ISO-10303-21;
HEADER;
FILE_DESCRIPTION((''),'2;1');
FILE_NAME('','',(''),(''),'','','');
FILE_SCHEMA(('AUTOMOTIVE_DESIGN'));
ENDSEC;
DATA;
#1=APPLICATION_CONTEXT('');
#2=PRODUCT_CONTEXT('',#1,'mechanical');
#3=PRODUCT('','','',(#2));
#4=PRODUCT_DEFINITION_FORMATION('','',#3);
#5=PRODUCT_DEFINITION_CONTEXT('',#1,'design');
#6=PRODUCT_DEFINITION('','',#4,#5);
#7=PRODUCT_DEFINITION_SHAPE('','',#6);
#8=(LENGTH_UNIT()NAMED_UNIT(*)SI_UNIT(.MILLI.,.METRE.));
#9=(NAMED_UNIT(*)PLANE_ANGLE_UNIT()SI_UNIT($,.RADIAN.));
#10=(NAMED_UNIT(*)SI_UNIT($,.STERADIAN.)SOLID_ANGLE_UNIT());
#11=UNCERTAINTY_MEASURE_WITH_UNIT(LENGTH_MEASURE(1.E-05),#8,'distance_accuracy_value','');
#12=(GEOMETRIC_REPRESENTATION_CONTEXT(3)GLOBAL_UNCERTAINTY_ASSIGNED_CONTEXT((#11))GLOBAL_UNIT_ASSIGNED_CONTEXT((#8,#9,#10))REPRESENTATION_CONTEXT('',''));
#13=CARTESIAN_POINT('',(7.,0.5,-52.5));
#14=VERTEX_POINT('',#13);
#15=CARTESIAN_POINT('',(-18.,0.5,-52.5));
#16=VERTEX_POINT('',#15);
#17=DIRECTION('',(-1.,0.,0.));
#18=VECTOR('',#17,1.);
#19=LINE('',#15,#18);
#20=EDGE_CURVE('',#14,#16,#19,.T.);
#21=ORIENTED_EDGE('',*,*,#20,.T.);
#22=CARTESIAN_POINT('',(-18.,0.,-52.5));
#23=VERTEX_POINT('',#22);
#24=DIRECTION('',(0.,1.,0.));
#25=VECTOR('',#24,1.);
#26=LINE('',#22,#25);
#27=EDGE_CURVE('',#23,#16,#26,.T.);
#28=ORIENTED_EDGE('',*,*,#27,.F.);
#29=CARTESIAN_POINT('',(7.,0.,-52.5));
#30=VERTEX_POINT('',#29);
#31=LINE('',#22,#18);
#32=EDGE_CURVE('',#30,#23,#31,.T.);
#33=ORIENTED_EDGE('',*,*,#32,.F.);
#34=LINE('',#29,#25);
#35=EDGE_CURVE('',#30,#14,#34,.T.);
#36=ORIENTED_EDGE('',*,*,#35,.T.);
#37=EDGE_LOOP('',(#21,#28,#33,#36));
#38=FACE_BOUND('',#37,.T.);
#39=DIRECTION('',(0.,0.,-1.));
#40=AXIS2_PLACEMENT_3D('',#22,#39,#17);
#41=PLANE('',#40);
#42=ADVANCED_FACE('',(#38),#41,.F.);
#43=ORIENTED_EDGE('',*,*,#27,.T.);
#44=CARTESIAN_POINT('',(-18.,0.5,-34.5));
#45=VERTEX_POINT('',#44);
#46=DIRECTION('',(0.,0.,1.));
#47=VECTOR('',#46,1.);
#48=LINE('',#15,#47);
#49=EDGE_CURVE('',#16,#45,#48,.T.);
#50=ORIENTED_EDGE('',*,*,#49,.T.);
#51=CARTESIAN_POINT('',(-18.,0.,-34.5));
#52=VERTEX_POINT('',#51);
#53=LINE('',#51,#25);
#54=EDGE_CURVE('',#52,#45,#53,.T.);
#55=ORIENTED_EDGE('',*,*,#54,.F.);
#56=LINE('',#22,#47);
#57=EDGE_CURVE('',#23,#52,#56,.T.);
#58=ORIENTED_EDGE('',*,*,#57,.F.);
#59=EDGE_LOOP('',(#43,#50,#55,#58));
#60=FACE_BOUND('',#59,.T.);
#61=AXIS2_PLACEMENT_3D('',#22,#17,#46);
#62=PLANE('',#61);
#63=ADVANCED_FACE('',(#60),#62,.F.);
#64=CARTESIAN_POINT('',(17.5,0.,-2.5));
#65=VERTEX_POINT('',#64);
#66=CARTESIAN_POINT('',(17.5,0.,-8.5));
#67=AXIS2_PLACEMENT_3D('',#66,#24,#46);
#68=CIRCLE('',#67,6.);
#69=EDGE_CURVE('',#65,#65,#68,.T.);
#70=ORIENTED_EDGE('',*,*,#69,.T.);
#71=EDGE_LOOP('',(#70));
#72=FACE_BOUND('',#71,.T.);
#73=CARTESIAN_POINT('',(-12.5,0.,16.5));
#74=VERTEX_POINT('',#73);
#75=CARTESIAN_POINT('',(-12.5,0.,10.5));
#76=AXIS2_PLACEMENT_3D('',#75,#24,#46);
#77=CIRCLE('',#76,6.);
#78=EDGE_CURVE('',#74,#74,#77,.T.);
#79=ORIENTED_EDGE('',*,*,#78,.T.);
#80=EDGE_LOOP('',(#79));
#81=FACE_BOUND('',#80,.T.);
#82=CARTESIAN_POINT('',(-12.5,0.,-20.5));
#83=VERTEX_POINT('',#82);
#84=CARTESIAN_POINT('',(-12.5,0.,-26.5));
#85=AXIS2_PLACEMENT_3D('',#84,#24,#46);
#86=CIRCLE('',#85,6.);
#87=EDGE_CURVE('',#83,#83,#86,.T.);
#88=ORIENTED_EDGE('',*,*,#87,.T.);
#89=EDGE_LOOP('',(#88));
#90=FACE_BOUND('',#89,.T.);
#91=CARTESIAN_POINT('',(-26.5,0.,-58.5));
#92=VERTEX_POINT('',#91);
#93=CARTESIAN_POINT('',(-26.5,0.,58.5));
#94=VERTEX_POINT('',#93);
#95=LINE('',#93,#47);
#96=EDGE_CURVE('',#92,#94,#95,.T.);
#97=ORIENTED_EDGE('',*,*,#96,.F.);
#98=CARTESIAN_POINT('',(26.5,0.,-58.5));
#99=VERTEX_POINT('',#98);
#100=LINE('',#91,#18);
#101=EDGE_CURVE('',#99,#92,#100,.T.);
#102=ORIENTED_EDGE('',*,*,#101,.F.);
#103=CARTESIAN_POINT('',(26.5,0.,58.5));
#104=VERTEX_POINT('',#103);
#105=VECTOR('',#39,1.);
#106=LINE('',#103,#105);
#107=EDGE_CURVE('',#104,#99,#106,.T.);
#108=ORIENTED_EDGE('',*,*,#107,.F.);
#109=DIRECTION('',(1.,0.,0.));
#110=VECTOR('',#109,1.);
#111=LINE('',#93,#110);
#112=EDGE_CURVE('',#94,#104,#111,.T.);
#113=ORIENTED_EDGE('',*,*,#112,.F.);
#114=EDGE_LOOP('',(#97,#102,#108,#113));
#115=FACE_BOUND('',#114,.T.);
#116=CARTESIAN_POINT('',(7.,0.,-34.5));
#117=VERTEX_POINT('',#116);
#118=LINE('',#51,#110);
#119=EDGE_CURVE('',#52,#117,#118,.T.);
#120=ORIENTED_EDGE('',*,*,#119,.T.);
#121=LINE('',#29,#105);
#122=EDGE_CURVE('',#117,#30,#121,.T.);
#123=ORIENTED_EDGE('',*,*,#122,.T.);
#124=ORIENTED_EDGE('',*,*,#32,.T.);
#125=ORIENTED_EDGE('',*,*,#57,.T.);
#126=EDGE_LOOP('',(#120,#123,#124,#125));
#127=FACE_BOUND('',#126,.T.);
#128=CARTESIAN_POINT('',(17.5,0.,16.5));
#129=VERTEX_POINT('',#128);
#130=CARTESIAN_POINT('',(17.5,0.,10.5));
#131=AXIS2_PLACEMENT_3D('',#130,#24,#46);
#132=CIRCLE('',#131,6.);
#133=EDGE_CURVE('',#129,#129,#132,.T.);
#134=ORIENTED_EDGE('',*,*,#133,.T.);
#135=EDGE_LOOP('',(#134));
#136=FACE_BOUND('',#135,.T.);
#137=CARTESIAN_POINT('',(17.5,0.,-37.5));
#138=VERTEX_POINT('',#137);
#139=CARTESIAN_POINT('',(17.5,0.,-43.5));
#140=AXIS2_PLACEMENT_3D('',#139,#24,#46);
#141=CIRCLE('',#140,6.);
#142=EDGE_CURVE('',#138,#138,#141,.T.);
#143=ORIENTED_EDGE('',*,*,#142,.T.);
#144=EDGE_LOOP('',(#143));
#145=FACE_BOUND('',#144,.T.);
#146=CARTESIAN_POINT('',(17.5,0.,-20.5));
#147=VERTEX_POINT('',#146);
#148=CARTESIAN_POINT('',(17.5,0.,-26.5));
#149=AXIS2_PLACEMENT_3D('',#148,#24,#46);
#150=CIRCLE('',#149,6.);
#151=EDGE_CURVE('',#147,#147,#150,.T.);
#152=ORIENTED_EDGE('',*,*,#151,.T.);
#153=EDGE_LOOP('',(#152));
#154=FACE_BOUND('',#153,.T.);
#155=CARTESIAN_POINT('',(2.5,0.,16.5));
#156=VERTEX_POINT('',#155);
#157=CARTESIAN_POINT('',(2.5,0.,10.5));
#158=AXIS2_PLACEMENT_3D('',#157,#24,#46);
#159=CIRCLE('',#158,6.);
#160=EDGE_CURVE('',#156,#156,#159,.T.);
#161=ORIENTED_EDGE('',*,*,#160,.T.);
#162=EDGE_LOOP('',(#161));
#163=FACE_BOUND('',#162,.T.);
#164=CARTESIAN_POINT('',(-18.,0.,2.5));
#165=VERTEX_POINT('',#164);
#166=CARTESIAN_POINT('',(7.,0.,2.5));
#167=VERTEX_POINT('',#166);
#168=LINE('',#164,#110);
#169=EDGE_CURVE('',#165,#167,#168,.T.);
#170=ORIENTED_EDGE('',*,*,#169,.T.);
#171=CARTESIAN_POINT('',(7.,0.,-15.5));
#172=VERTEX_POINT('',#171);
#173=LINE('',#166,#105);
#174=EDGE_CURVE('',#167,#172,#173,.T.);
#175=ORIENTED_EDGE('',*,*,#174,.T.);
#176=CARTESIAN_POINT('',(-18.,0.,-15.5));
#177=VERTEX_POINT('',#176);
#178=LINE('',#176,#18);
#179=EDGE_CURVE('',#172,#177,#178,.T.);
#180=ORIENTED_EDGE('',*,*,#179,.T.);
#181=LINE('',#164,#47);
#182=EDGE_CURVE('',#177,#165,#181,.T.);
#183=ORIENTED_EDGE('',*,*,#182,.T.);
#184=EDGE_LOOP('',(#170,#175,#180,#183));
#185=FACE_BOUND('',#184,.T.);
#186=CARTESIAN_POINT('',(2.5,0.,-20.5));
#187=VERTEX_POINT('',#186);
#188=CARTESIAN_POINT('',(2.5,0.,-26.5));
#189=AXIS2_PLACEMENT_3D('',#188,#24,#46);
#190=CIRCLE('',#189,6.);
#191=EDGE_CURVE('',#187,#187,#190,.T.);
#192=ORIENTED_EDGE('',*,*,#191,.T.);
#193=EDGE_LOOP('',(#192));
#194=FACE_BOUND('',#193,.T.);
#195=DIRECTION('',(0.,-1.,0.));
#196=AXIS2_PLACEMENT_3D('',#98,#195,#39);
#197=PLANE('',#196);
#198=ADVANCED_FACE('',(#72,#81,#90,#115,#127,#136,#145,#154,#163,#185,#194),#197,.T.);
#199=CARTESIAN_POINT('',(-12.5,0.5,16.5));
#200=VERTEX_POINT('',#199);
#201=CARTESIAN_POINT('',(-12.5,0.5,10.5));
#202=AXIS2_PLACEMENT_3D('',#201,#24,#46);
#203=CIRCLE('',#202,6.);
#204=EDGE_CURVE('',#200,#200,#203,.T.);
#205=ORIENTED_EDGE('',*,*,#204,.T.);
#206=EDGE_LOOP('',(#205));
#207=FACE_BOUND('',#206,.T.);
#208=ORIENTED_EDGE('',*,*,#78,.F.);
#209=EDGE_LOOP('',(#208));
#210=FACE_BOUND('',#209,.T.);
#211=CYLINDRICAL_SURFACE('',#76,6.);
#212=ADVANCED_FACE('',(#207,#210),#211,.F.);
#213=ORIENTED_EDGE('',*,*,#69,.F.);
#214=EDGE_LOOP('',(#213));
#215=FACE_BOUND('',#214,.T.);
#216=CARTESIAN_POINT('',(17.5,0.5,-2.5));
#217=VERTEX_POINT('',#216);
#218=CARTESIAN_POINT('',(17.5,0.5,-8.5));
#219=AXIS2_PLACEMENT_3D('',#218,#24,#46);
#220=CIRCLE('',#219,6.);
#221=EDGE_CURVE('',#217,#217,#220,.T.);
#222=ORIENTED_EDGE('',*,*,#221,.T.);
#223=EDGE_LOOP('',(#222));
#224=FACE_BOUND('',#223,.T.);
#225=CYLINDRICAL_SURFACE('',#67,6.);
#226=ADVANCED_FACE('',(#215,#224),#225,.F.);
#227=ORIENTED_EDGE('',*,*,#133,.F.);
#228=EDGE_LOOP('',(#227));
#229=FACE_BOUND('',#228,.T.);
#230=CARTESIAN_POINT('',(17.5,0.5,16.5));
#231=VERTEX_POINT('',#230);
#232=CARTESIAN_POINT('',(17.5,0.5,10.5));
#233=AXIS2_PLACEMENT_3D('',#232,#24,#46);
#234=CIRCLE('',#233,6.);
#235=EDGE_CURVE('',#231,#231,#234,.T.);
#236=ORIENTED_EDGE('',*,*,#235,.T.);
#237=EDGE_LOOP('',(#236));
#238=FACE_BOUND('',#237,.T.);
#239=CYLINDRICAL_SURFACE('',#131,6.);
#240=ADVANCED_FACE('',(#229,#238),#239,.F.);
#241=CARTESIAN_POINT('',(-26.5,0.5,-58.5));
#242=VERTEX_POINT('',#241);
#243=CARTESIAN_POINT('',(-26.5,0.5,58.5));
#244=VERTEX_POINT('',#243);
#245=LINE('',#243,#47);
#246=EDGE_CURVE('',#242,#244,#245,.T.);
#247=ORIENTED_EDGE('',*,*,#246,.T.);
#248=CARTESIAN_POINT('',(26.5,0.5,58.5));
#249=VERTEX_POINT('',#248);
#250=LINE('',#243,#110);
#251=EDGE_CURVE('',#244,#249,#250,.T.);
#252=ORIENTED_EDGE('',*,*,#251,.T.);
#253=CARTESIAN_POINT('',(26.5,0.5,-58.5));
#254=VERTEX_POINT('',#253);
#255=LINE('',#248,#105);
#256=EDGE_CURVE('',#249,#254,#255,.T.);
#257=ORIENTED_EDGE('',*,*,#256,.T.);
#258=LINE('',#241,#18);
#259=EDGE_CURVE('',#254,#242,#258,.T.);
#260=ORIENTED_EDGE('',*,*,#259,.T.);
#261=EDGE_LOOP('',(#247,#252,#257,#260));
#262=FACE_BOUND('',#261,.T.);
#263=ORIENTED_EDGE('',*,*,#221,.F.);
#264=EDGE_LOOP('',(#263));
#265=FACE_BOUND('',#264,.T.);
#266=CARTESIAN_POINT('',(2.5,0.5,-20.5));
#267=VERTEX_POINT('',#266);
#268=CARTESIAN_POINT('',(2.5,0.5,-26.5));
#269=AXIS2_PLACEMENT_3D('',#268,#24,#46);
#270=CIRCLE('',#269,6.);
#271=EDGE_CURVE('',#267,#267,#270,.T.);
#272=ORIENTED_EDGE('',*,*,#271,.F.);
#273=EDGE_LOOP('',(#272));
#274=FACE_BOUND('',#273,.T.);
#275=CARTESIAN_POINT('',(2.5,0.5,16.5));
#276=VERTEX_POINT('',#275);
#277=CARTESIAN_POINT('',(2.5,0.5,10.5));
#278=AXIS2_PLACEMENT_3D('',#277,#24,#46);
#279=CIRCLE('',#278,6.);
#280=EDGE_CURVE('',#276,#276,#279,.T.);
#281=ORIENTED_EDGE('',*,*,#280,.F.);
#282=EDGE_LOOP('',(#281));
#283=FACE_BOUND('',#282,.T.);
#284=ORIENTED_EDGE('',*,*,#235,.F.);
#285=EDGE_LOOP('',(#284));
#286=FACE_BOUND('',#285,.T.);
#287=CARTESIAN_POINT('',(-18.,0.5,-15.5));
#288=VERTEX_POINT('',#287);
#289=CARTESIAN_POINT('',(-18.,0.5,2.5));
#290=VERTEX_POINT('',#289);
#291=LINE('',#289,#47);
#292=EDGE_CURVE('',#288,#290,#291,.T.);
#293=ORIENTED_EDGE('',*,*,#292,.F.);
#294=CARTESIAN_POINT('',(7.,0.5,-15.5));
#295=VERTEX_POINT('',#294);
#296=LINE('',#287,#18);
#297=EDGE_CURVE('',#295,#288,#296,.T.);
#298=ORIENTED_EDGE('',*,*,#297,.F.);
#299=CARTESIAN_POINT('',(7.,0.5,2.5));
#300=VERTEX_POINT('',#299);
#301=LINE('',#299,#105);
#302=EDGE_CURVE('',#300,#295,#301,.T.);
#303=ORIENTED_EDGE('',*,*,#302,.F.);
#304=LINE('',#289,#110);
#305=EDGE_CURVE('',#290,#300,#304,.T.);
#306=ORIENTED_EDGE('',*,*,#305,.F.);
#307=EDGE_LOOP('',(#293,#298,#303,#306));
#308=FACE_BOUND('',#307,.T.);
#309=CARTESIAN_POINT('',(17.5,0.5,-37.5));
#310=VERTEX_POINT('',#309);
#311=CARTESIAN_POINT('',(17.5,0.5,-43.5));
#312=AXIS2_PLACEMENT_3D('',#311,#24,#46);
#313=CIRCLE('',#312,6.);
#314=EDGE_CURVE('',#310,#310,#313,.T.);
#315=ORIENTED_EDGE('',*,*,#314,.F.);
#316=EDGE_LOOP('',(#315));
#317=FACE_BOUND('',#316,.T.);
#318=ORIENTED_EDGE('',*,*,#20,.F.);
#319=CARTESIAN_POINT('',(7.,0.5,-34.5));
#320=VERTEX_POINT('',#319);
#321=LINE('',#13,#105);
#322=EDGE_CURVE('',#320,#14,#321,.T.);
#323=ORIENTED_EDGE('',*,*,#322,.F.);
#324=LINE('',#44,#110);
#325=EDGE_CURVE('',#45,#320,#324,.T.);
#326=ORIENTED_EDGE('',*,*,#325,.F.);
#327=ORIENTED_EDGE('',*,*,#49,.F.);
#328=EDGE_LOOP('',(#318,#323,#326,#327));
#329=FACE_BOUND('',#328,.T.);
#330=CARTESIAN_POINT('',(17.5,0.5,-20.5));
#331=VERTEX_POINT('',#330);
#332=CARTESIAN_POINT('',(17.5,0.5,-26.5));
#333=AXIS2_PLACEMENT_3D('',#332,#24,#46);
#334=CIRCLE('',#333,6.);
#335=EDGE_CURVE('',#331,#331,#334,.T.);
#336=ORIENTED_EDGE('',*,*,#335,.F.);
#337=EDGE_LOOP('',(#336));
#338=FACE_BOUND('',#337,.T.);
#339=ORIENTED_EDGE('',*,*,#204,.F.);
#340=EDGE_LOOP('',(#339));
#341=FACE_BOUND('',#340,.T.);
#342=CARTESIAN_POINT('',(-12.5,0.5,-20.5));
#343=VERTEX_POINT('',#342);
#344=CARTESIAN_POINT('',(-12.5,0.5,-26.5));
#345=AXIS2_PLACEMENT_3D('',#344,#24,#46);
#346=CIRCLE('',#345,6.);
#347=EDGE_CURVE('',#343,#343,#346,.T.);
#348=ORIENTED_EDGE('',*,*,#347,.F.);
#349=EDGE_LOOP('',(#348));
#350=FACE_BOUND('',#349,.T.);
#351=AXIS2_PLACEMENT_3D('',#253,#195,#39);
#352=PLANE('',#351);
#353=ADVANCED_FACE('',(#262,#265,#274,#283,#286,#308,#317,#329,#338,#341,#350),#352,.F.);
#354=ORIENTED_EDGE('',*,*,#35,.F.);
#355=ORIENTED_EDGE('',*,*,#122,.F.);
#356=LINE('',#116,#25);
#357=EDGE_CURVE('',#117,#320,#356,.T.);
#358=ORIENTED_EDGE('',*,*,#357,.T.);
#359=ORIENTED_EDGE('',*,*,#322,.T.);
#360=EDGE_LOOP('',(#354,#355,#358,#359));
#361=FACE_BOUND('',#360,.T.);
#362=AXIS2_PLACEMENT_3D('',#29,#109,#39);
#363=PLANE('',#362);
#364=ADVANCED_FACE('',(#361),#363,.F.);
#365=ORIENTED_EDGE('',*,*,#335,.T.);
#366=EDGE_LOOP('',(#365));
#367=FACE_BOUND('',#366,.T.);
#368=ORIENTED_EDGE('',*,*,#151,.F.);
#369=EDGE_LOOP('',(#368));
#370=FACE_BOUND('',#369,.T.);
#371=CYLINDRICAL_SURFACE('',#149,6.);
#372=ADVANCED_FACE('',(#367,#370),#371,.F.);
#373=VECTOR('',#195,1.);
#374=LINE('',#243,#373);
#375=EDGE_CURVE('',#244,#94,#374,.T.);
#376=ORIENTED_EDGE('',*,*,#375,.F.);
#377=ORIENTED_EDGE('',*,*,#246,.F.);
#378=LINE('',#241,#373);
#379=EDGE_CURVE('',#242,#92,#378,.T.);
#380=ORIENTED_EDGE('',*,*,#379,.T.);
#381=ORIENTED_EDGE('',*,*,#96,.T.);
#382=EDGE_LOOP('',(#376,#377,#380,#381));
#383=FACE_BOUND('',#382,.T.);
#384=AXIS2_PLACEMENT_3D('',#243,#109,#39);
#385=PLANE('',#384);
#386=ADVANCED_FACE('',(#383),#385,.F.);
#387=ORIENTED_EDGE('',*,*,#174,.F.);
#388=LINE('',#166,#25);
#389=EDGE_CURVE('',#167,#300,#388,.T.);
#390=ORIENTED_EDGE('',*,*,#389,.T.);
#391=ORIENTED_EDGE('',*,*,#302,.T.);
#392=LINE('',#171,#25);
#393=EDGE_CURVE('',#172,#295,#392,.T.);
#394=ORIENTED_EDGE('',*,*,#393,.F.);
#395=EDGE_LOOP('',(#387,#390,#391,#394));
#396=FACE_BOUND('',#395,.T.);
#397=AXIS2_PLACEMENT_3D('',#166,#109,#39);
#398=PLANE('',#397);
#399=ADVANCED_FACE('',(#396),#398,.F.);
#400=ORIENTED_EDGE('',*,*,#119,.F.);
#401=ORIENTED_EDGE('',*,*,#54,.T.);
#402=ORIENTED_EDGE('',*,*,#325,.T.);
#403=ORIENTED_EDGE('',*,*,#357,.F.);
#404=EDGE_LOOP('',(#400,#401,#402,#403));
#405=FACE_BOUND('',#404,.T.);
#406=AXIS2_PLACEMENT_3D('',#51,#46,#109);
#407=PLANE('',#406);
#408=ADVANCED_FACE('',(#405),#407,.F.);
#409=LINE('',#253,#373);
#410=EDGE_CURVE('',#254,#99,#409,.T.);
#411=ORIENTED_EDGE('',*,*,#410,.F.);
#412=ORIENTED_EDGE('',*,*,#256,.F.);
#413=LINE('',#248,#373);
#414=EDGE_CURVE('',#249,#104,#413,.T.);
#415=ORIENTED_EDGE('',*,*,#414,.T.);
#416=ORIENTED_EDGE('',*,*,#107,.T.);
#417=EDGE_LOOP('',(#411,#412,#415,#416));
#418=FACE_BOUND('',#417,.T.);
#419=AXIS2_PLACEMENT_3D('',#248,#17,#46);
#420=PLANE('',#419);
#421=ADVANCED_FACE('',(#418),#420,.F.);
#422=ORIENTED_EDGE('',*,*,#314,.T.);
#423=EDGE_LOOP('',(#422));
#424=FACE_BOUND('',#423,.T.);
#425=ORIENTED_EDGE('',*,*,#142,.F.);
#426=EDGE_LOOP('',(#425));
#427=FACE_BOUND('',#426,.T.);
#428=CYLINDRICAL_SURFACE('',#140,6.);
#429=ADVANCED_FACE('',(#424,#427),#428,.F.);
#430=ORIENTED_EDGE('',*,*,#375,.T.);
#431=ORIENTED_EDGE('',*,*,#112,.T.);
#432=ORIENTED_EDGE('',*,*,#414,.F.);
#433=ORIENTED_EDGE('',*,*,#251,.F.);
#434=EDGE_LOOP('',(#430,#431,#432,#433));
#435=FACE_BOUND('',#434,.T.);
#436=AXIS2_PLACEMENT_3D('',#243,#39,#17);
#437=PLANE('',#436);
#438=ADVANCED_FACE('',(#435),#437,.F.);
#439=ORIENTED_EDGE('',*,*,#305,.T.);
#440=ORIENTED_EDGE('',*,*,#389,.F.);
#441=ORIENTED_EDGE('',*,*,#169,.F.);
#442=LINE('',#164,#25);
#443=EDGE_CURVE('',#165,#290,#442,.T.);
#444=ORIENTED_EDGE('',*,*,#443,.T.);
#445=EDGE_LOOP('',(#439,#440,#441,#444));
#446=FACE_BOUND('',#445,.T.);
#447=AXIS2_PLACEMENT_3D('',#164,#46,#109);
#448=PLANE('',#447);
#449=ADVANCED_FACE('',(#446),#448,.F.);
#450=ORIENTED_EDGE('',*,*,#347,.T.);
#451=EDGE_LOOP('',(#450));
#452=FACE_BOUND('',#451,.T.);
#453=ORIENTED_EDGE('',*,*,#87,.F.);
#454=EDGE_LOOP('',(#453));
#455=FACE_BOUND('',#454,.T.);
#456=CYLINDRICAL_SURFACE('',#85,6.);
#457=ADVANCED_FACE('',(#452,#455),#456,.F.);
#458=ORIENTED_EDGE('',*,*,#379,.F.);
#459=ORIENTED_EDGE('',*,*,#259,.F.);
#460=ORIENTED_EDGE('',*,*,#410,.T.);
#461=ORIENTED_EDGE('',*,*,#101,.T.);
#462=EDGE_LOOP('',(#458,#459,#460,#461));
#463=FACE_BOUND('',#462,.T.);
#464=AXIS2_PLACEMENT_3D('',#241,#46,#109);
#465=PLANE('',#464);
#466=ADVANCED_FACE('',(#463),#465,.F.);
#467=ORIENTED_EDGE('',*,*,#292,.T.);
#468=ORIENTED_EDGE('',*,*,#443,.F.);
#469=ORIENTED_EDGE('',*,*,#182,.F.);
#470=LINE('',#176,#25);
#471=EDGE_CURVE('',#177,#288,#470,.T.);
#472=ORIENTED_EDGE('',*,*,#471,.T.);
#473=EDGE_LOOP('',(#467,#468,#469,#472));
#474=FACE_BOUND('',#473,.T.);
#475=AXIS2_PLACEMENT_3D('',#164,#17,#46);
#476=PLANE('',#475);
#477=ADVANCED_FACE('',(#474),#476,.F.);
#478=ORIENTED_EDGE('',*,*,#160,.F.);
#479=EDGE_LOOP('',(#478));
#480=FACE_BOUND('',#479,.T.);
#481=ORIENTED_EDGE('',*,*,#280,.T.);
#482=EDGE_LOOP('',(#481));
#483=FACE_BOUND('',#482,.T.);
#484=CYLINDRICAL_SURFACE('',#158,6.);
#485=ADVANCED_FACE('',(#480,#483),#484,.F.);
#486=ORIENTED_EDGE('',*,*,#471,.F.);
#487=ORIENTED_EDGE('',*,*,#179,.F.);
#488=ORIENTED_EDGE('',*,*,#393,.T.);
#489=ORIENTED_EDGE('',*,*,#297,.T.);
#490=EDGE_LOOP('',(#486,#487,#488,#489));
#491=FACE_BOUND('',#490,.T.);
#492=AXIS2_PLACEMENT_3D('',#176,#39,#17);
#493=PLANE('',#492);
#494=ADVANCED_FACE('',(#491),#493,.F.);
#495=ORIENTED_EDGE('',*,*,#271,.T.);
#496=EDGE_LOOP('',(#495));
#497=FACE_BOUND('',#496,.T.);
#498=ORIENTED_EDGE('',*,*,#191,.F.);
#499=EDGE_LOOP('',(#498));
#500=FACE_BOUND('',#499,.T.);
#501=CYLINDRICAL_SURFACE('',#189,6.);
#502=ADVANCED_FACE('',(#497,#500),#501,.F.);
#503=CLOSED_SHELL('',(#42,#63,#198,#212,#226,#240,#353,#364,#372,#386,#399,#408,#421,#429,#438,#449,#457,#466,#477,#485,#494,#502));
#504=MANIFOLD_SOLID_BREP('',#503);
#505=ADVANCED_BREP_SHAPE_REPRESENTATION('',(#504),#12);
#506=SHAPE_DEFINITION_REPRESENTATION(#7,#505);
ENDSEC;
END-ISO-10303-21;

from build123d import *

# Parameters (mm, degrees)
SKETCH_1_W          = 53
SKETCH_1_H          = 117
EXTRUDE_1_DEPTH     = 0.5
SKETCH_2_W          = 25
SKETCH_2_H          = 18
CUT_EXTRUDE_1_DEPTH = 65.224216616
SKETCH_4_R          = 6
CUT_EXTRUDE_2_DEPTH = 65.224216616


with BuildPart() as part:
    # Эскиз1 → Бобышка-Вытянуть1 (new body)
    with BuildSketch(Plane(origin=(0, 0, 0), x_dir=(1, 0, 0), z_dir=(0, 1, 0))):
        Rectangle(SKETCH_1_W, SKETCH_1_H)
    extrude(amount=EXTRUDE_1_DEPTH)

    # Эскиз2 → Вырез-Вытянуть1 (cut, through all)
    with BuildSketch(Plane(origin=(0, 0.5, 0), x_dir=(1, 0, 0), z_dir=(0, 1, 0))):
        with Locations((-5.5, 43.5)):
            Rectangle(SKETCH_2_W, SKETCH_2_H)
        with Locations((-5.5, 6.5)):
            Rectangle(SKETCH_2_W, SKETCH_2_H)
    extrude(amount=-CUT_EXTRUDE_1_DEPTH, mode=Mode.SUBTRACT)

    # Эскиз4 → Вырез-Вытянуть2 (cut, through all)
    with BuildSketch(Plane(origin=(0, 0.5, 0), x_dir=(1, 0, 0), z_dir=(0, 1, 0))):
        with Locations(Location((17.5, 43.5, 0), (0, 0, 270))):
            Circle(SKETCH_4_R)
        with Locations(Location((17.5, 26.5, 0), (0, 0, 270))):
            Circle(SKETCH_4_R)
        with Locations(Location((17.5, 8.5, 0), (0, 0, 270))):
            Circle(SKETCH_4_R)
        with Locations(Location((17.5, -10.5, 0), (0, 0, 270))):
            Circle(SKETCH_4_R)
        with Locations(Location((2.5, 26.5, 0), (0, 0, 270))):
            Circle(SKETCH_4_R)
        with Locations(Location((-12.5, 26.5, 0), (0, 0, 270))):
            Circle(SKETCH_4_R)
        with Locations(Location((2.5, -10.5, 0), (0, 0, 270))):
            Circle(SKETCH_4_R)
        with Locations(Location((-12.5, -10.5, 0), (0, 0, 270))):
            Circle(SKETCH_4_R)
    extrude(amount=-CUT_EXTRUDE_2_DEPTH, mode=Mode.SUBTRACT)


solid = part.part
